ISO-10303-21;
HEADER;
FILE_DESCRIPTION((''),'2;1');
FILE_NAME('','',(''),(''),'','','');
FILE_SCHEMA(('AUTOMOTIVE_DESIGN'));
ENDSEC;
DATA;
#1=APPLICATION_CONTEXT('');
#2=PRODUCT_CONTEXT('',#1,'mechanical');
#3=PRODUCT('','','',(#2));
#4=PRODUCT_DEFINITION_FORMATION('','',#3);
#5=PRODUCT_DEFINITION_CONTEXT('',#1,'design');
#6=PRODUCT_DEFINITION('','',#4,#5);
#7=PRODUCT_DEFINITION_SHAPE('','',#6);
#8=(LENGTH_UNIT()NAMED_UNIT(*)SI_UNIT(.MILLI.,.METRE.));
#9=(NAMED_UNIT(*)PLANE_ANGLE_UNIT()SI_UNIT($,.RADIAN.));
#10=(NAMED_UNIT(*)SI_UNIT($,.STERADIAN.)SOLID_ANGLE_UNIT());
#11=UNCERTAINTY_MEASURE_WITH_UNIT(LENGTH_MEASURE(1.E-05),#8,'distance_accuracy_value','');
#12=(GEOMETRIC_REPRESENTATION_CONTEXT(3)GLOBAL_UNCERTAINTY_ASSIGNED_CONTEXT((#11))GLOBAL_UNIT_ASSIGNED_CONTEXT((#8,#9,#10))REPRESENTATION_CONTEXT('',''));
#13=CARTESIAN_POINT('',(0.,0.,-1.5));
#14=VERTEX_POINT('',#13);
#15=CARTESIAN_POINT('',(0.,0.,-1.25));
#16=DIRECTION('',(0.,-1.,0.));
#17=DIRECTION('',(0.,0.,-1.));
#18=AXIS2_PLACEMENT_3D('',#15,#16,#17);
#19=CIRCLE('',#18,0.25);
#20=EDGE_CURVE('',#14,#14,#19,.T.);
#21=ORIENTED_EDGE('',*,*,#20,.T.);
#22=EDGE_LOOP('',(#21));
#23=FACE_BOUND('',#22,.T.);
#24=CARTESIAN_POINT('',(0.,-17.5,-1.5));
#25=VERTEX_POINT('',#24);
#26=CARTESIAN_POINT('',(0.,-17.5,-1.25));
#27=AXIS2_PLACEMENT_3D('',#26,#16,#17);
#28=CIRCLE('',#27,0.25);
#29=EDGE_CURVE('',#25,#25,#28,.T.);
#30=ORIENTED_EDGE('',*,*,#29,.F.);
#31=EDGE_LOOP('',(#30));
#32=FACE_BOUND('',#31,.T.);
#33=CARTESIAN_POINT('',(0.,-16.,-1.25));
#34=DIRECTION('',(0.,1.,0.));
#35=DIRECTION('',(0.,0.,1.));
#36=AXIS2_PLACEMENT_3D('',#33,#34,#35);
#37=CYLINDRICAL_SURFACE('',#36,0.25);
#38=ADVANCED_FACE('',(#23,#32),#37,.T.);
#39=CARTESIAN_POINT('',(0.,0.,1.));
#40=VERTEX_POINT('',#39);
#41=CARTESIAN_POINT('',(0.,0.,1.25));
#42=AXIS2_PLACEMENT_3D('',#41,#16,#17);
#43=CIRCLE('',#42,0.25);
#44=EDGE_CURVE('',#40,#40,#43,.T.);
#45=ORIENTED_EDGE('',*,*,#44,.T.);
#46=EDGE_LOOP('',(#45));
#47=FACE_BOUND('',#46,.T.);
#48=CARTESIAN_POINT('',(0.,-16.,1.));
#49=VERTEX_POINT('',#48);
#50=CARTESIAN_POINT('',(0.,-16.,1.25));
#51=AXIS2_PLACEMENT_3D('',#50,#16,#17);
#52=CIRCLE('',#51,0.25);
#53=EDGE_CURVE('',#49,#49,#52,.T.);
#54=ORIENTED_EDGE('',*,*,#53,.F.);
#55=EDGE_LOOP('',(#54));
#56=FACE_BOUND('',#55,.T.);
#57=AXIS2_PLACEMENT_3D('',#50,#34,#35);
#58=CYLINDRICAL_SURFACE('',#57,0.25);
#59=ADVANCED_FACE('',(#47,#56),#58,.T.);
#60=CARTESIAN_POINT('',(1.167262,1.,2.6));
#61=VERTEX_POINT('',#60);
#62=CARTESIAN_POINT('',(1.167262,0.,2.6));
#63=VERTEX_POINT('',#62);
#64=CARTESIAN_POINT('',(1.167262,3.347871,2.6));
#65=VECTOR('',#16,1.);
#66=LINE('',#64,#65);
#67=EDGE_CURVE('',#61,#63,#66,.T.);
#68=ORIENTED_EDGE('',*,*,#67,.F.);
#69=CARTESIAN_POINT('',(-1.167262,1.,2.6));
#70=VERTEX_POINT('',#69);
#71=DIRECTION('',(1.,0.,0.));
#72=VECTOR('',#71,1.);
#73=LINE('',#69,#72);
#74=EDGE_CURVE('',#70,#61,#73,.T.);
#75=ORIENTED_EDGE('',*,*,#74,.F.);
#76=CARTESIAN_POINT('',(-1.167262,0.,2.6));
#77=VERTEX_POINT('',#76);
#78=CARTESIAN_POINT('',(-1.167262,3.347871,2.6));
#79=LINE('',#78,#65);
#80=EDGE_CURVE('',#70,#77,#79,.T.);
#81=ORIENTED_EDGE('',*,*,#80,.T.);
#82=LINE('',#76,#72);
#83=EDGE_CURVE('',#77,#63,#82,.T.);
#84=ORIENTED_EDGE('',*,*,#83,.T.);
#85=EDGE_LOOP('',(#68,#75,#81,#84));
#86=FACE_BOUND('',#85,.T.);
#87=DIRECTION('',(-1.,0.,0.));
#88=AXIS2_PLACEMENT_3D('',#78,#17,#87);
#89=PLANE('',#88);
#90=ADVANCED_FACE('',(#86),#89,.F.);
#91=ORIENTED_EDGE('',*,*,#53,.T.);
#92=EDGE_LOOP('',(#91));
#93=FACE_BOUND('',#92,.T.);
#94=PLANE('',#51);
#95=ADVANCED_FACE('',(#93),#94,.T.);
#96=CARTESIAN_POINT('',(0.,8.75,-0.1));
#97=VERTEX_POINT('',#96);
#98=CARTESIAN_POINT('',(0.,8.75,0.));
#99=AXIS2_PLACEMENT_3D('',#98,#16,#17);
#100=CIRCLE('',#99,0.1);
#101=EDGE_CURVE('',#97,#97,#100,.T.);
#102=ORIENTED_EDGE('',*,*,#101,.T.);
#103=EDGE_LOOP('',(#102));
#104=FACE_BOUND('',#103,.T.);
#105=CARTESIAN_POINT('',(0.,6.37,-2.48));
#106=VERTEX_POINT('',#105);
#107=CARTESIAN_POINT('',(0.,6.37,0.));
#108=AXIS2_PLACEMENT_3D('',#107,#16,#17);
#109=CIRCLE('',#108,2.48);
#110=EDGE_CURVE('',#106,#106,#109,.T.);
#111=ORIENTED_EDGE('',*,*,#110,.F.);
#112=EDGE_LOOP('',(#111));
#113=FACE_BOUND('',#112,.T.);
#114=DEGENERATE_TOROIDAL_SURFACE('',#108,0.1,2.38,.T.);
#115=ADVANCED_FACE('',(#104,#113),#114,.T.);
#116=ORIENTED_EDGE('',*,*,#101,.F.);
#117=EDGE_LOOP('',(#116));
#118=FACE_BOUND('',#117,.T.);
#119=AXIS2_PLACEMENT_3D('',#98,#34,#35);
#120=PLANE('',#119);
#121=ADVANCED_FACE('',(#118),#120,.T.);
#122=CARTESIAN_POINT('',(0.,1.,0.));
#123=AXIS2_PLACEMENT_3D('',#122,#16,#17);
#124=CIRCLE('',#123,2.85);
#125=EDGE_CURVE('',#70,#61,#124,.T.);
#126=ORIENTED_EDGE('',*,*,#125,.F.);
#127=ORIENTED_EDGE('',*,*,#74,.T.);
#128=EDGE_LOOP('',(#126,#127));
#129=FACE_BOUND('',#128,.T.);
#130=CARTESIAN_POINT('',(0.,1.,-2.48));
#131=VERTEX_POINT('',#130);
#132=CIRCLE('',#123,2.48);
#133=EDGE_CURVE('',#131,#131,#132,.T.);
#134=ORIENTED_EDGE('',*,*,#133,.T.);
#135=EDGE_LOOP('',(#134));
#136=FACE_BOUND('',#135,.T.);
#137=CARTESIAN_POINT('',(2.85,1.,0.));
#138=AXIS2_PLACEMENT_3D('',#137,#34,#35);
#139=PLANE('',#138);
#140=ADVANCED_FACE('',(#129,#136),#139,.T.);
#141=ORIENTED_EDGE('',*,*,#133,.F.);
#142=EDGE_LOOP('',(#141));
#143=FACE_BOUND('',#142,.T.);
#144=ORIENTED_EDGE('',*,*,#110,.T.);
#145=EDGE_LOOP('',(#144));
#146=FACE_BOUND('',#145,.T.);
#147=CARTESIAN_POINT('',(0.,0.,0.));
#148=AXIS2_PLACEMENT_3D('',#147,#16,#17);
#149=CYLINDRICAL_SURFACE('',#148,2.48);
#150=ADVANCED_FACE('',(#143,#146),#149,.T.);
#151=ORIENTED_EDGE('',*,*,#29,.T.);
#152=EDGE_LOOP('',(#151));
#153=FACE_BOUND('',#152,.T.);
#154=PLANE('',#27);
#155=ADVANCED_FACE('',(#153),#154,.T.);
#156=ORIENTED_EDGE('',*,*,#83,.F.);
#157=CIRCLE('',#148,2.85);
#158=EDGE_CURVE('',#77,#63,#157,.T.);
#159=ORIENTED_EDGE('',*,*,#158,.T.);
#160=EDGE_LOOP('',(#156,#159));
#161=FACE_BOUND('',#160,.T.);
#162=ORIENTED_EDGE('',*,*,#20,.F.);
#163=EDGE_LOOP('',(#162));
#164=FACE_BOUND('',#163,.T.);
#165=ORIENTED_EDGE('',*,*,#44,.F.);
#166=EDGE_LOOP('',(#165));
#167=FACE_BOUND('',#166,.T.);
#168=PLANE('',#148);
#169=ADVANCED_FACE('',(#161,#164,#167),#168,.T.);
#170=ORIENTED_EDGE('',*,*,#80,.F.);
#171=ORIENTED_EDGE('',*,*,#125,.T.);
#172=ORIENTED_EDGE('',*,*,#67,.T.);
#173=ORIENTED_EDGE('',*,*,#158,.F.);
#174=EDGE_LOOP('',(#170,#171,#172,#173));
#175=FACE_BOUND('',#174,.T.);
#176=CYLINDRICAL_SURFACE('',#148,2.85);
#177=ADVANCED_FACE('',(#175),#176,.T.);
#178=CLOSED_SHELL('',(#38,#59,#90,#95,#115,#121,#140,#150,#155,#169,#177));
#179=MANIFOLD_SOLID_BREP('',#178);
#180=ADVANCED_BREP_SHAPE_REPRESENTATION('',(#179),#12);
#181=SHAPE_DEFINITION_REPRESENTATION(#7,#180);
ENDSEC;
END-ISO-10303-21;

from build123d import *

# Parameters (mm, degrees)
CUT_EXTRUDE1_DEPTH  = 1
SKETCH3_R           = 0.25
BOSS_EXTRUDE1_DEPTH = 16
SKETCH4_R           = 0.25
BOSS_EXTRUDE2_DEPTH = 1.5


with BuildPart() as part:
    # Sketch1 → Revolve1 (revolve)
    with BuildSketch(Plane.XY):
        with BuildLine():
            Line((0, 0), (0, 8.75))
            Line((0, 8.75), (0.1, 8.75))
            ThreePointArc((0.1, 8.75), (1.782914139, 8.052914139), (2.48, 6.37))
            Line((2.48, 6.37), (2.48, 1))
            Line((2.48, 1), (2.85, 1))
            Line((2.85, 1), (2.85, 0))
            Line((2.85, 0), (0, 0))
        make_face()
    revolve(axis=Axis((0, 0, 0), (0, 1, 0)))

    # Sketch2 → Cut-Extrude1 (cut)
    with BuildSketch(Plane.XZ):
        with BuildLine():
            Line((-1.167261753, 2.6), (1.167261753, 2.6))
            ThreePointArc((1.167261753, 2.6), (0, 2.85), (-1.167261753, 2.6))
        make_face()
    extrude(amount=-CUT_EXTRUDE1_DEPTH, mode=Mode.SUBTRACT)

    # Sketch3 → Boss-Extrude1 (add)
    with BuildSketch(Plane.XZ):
        with Locations((0, -1.25)):
            Circle(SKETCH3_R)
        with Locations((0, 1.25)):
            Circle(SKETCH3_R)
    extrude(amount=BOSS_EXTRUDE1_DEPTH)

    # Sketch4 → Boss-Extrude2 (add)
    with BuildSketch(Plane.XZ.offset(16)):
        with Locations((0, -1.25)):
            Circle(SKETCH4_R)
    extrude(amount=BOSS_EXTRUDE2_DEPTH)


solid = part.part
